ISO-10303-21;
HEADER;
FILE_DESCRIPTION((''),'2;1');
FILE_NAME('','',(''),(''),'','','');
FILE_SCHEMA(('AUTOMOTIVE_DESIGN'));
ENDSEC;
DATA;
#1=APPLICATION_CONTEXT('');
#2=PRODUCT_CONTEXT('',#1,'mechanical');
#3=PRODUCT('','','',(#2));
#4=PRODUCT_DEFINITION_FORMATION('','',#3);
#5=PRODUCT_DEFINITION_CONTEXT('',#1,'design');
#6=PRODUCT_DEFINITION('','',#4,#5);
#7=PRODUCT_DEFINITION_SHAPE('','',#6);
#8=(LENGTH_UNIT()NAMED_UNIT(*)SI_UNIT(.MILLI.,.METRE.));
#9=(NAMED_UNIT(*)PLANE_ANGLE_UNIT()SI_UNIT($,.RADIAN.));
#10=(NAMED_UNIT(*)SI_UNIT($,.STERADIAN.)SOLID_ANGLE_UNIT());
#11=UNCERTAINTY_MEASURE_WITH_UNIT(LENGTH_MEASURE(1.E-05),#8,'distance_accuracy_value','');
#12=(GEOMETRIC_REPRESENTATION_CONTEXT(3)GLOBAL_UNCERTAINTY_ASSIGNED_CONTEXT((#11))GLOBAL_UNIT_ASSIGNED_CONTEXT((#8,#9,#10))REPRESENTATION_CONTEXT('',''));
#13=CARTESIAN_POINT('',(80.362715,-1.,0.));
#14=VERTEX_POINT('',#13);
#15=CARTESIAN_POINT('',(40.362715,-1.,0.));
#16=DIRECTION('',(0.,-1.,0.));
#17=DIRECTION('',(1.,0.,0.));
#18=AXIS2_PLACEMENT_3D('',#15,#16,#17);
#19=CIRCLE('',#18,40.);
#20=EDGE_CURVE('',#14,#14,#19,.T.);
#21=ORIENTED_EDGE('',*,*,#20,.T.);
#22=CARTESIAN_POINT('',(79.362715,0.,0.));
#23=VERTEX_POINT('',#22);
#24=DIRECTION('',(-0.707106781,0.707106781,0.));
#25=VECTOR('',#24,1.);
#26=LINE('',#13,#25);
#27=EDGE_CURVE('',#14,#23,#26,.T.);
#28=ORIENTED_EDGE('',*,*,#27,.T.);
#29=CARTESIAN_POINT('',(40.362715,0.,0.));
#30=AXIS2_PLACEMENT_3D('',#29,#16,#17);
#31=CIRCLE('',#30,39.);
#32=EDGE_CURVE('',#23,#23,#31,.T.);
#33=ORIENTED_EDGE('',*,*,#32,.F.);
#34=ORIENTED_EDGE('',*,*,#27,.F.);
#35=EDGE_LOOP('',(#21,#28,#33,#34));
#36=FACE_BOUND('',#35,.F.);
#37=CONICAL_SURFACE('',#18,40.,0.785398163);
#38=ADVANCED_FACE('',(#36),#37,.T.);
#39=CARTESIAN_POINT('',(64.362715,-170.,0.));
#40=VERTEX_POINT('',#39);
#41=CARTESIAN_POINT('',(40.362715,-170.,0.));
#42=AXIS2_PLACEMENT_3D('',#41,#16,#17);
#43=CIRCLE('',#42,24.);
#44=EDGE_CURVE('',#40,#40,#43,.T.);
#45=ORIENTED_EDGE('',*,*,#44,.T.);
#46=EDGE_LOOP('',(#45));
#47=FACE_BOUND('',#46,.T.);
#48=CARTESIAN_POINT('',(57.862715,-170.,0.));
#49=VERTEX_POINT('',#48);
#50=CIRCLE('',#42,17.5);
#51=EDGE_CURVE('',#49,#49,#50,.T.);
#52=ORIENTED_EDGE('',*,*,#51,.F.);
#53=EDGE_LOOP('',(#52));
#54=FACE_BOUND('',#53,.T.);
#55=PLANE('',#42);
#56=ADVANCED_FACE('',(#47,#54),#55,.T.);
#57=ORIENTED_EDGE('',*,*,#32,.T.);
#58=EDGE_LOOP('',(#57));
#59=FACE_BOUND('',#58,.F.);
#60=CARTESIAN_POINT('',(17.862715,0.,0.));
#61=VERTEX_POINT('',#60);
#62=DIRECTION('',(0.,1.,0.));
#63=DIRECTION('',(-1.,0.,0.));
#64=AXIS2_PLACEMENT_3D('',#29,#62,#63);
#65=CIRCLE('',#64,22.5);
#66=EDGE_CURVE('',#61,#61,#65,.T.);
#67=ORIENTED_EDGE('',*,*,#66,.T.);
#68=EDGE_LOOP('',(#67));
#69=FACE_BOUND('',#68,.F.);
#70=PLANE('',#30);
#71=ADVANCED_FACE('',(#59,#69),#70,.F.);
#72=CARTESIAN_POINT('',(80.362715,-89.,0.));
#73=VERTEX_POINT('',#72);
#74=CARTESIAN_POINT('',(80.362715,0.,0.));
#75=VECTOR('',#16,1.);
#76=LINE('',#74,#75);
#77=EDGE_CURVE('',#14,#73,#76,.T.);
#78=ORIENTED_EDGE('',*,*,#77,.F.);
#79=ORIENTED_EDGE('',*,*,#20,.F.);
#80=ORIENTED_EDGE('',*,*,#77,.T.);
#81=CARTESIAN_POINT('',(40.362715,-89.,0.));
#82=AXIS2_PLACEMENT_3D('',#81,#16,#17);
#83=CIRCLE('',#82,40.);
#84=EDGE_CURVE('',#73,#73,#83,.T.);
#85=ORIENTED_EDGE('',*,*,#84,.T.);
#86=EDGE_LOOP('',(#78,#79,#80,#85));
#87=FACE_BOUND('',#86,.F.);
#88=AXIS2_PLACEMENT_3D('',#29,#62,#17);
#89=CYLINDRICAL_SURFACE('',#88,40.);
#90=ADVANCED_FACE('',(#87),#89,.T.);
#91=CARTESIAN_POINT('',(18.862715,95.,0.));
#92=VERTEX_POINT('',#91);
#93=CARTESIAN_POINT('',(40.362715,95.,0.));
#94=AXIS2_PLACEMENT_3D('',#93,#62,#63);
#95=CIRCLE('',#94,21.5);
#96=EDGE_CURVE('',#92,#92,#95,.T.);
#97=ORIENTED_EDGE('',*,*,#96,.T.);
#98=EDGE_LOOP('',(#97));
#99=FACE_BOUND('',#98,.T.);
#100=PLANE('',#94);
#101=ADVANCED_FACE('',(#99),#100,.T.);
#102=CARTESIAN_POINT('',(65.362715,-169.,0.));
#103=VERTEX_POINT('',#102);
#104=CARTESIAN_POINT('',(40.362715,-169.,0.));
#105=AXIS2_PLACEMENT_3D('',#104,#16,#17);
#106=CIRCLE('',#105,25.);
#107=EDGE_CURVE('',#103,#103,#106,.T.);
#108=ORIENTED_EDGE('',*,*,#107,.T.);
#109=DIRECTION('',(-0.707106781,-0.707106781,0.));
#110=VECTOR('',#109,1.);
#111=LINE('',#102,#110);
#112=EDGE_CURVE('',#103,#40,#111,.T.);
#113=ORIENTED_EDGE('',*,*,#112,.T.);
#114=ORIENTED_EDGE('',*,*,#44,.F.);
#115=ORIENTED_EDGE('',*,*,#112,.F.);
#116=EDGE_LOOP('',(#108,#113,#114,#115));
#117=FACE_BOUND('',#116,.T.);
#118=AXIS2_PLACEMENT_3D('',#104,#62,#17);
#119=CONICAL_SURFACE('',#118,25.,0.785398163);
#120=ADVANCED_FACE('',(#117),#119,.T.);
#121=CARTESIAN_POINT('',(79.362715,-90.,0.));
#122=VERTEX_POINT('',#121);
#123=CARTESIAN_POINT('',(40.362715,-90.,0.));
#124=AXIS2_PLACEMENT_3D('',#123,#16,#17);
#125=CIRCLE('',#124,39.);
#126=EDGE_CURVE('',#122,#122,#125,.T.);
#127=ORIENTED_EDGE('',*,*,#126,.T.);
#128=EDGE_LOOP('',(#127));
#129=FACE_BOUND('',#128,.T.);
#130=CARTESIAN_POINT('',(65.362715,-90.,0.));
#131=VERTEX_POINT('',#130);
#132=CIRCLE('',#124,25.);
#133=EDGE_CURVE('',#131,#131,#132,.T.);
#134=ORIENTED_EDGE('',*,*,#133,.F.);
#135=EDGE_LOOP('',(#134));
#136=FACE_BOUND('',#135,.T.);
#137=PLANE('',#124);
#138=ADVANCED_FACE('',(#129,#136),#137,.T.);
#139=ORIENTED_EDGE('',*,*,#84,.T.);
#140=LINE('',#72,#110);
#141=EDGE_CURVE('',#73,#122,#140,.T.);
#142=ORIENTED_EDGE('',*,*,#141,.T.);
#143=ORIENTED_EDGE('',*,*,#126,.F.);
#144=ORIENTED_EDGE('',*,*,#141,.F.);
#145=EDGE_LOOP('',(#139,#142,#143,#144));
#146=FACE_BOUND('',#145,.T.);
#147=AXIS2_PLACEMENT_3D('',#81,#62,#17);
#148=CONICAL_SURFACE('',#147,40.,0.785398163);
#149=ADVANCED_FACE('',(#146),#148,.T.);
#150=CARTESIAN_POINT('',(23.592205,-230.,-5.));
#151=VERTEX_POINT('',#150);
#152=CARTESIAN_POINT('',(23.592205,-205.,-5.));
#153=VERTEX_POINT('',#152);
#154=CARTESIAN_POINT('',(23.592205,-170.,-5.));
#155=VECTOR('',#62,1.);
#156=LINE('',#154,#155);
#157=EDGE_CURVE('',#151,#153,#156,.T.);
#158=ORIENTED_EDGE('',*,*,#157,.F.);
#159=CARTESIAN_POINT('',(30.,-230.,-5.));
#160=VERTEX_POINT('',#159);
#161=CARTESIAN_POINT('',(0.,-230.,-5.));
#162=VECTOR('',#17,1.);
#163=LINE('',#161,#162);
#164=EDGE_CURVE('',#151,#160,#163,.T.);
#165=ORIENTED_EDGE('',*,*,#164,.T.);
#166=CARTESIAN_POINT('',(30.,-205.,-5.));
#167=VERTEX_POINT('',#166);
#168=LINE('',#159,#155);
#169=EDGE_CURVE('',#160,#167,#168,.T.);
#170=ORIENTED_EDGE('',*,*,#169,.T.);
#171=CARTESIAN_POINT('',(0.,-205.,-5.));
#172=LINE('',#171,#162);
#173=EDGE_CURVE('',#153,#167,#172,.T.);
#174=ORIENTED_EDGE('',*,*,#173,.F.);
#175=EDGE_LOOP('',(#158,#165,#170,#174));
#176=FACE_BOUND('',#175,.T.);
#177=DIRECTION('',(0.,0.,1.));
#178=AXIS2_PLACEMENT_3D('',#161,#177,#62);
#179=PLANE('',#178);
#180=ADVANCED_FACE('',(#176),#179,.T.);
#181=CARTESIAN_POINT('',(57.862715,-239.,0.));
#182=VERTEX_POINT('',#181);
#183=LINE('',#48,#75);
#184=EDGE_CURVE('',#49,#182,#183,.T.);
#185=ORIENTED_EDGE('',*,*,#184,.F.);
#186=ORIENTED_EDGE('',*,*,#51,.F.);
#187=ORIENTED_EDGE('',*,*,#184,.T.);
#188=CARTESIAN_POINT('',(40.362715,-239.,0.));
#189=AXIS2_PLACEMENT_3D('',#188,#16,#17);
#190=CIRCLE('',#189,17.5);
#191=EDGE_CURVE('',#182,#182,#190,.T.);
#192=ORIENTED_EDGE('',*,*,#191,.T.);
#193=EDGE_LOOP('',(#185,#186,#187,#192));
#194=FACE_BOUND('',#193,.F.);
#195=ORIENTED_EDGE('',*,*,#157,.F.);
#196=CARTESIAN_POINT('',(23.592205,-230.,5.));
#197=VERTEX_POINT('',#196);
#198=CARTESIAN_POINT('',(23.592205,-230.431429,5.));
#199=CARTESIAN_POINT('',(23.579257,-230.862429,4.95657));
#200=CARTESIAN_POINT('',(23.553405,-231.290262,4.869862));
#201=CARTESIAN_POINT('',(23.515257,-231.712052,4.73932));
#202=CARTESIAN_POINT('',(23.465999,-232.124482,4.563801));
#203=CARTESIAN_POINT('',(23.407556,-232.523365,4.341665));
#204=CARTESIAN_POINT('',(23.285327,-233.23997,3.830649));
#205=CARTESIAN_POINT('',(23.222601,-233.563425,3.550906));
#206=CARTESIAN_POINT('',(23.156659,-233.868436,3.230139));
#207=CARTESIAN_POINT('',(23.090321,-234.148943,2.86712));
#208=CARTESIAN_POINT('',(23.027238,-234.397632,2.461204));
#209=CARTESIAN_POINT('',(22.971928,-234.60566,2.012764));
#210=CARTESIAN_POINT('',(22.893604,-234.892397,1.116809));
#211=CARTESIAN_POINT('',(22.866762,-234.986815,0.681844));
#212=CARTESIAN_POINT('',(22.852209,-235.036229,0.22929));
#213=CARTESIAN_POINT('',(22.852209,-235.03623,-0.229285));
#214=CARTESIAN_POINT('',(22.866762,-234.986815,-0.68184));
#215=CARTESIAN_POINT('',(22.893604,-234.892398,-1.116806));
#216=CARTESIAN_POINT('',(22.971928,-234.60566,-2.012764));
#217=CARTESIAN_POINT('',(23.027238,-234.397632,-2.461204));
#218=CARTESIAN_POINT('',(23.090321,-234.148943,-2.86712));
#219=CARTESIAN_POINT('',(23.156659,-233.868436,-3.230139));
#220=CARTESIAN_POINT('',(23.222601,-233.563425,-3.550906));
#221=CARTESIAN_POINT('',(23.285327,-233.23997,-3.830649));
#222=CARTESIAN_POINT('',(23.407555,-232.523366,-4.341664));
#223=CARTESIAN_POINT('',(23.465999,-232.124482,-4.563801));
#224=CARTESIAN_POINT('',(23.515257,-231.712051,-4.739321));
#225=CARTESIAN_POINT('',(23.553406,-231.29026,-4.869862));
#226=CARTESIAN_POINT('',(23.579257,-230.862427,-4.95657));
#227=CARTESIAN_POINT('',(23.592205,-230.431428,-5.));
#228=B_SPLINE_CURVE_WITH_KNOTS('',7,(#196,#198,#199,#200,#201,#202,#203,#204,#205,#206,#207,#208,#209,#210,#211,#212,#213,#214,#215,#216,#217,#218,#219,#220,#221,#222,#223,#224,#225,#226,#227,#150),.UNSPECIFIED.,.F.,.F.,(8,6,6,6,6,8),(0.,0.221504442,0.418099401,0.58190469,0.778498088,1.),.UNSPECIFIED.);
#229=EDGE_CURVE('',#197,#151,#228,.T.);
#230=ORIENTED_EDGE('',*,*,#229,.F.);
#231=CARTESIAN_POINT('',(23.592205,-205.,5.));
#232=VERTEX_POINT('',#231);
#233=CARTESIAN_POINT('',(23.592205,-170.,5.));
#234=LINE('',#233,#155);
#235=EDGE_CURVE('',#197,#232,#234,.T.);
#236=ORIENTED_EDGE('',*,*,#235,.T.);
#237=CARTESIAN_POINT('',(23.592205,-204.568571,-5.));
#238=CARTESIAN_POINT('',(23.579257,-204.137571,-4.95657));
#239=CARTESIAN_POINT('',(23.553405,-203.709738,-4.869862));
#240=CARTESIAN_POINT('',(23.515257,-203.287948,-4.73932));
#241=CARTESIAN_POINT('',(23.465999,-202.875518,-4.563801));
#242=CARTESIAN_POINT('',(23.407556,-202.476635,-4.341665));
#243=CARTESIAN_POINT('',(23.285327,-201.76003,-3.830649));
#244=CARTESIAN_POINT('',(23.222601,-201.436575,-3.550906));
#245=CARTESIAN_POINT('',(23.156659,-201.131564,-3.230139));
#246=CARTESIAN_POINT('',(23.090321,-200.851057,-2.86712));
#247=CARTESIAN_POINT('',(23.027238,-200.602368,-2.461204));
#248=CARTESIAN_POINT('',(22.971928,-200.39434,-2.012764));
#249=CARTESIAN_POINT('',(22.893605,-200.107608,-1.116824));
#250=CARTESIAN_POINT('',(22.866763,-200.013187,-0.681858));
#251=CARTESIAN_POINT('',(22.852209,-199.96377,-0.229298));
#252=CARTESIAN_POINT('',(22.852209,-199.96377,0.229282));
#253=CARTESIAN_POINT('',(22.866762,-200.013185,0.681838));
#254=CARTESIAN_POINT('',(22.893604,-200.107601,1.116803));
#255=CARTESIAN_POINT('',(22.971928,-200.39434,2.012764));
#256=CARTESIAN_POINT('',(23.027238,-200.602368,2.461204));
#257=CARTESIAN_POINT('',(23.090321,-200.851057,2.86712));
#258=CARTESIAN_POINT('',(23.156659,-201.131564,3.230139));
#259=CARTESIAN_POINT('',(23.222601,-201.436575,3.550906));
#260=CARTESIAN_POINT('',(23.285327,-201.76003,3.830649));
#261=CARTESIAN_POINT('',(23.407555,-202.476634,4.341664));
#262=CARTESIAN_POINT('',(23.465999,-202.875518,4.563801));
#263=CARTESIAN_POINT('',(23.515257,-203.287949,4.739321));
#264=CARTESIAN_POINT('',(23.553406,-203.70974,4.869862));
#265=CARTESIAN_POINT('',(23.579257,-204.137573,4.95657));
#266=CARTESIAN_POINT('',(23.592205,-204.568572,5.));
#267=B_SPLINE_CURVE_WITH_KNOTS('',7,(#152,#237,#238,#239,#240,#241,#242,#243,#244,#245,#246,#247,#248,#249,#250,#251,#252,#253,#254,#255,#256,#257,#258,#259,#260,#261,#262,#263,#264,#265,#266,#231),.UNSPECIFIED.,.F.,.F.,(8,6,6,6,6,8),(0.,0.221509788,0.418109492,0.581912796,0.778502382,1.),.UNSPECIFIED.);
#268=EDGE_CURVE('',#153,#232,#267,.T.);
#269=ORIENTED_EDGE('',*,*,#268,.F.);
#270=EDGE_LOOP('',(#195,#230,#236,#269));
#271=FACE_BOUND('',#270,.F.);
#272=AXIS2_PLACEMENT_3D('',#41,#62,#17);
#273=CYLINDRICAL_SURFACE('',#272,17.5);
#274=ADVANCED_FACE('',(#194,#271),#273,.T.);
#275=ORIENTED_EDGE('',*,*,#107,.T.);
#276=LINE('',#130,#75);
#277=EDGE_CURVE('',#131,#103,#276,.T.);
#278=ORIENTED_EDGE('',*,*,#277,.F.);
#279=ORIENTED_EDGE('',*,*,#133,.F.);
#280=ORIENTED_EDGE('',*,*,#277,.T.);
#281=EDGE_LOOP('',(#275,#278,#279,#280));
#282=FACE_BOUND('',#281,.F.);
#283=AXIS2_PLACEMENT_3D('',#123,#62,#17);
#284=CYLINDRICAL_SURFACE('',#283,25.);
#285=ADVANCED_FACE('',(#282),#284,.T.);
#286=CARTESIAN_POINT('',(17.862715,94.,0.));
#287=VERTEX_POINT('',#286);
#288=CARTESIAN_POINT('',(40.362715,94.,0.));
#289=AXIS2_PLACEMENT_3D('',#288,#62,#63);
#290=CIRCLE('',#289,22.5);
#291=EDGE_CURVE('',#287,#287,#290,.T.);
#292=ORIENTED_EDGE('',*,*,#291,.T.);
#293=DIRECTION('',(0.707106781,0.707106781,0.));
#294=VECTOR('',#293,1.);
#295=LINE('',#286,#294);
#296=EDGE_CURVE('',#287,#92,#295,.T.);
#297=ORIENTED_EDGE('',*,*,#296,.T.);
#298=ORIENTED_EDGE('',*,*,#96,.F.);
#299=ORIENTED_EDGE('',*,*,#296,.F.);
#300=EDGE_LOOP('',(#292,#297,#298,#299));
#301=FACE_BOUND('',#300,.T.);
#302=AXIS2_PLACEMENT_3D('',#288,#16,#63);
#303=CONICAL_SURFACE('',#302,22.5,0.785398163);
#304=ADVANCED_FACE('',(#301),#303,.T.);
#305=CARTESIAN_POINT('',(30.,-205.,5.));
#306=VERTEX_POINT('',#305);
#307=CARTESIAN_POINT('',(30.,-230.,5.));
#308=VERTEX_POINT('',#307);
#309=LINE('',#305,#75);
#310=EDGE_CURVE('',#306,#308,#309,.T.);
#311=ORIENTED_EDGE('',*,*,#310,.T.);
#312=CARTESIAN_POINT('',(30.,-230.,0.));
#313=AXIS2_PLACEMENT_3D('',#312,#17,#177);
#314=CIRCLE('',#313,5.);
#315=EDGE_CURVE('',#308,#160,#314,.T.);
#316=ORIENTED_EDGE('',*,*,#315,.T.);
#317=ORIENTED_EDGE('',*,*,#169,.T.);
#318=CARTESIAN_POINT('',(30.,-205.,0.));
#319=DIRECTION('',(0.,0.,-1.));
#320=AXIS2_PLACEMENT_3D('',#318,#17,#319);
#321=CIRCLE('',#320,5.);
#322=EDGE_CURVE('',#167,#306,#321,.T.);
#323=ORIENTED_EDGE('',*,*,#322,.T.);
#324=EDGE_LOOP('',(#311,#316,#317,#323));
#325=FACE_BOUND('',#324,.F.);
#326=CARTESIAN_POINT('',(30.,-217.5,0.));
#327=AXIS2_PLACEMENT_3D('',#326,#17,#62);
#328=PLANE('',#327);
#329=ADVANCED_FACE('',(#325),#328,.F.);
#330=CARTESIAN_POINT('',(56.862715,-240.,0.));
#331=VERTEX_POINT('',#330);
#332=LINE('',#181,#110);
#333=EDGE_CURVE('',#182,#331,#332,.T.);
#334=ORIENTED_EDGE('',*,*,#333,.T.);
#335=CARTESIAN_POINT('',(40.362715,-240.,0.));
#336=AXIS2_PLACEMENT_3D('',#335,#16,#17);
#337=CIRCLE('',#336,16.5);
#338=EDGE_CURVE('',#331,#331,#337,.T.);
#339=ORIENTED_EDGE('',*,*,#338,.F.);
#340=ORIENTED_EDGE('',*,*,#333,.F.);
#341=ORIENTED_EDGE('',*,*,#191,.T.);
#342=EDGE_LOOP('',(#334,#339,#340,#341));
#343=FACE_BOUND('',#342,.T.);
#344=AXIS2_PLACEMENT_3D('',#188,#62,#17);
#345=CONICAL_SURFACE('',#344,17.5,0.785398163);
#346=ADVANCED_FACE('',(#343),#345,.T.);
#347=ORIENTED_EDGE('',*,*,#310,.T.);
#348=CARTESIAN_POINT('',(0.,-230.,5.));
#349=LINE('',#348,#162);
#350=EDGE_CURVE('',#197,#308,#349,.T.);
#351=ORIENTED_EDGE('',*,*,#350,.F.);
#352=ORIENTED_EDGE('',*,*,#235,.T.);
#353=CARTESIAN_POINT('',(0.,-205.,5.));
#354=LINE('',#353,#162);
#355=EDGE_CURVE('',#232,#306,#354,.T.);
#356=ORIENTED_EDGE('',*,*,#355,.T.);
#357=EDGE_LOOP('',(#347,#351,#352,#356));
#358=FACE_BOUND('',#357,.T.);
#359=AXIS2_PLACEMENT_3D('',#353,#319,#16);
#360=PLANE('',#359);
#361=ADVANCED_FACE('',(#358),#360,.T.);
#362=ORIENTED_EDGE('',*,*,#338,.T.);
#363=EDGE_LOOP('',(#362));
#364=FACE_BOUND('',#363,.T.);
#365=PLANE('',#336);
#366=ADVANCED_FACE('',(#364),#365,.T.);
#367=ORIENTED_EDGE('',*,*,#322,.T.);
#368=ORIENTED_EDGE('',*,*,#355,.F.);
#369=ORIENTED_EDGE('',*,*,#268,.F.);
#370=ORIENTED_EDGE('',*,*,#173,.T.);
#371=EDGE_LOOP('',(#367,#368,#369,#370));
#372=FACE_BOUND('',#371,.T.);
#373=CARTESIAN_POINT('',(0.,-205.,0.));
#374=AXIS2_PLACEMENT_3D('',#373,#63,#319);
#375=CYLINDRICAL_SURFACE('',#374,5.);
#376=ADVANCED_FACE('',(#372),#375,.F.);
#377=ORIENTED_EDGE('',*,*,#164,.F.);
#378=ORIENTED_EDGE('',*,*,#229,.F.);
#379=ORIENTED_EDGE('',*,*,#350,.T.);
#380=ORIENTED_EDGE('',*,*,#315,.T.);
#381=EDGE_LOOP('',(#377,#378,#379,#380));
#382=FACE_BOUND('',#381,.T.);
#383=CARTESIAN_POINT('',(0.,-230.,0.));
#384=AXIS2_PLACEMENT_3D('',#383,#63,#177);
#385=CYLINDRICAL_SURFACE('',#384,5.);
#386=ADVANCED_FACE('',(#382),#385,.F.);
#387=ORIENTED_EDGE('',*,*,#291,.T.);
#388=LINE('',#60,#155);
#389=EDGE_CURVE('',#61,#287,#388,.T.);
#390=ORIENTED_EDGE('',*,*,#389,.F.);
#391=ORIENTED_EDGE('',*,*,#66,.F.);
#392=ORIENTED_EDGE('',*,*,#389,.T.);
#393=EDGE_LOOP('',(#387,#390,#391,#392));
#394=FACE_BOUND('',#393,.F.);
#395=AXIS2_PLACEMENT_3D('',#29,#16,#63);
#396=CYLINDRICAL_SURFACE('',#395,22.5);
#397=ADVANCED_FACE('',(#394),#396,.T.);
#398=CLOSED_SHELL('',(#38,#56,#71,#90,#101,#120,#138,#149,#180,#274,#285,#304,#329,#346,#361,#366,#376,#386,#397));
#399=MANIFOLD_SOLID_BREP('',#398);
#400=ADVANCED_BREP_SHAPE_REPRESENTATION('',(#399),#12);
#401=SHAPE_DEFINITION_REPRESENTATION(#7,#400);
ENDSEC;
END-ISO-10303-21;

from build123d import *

# Parameters (mm, degrees)
F0_R      = 40
F1_DEPTH  = 90
F2_R      = 25
F3_DEPTH  = 80
F4_R      = 17.5
F5_DEPTH  = 70
F7_DEPTH  = 30
F8_SIZE   = 1
F9_R      = 22.5
F10_DEPTH = 95
F11_SIZE  = 1


with BuildPart() as f1:
    # F0 (on Front) → F1 (new body)
    with BuildSketch(Plane.XZ):
        with Locations((40.362715, 0)):
            Circle(F0_R)
    extrude(amount=F1_DEPTH)

    # F2 (on face) → F3 (join)
    with BuildSketch(Plane.XZ.offset(90)):
        with Locations((40.362715, 0)):
            Circle(F2_R)
    extrude(amount=F3_DEPTH)

    # F4 (on face) → F5 (join)
    with BuildSketch(Plane.XZ.offset(170)):
        with Locations((40.362715, 0)):
            Circle(F4_R)
    extrude(amount=F5_DEPTH)

    # F6 (on Right) → F7 (cut)
    with BuildSketch(Plane.YZ):
        with BuildLine():
            ThreePointArc((-230, 5), (-235, 0), (-230, -5))
            Line((-230, -5), (-205, -5))
            ThreePointArc((-205, -5), (-200, 0), (-205, 5))
            Line((-205, 5), (-230, 5))
        make_face()
    extrude(amount=F7_DEPTH, mode=Mode.SUBTRACT)

    # F8
    f8_edges = [f1.edges().sort_by_distance(p)[0] for p in [
        (22.862715, -240, 0),
        (15.362715, -170, 0),
        (0.362715, -90, 0),
    ]]
    chamfer(f8_edges, length=F8_SIZE)

    # F9 (on face) → F10 (join)
    with BuildSketch(Plane(origin=(0, 0, 0), x_dir=(-1, 0, 0), z_dir=(0, 1, 0))):
        with Locations((-40.362715, 0)):
            Circle(F9_R)
    extrude(amount=F10_DEPTH)

    # F11
    f11_edges = [f1.edges().sort_by_distance(p)[0] for p in [
        (62.862715, 95, 0),
        (0.362715, 0, 0),
    ]]
    chamfer(f11_edges, length=F11_SIZE)


solid = f1.part
